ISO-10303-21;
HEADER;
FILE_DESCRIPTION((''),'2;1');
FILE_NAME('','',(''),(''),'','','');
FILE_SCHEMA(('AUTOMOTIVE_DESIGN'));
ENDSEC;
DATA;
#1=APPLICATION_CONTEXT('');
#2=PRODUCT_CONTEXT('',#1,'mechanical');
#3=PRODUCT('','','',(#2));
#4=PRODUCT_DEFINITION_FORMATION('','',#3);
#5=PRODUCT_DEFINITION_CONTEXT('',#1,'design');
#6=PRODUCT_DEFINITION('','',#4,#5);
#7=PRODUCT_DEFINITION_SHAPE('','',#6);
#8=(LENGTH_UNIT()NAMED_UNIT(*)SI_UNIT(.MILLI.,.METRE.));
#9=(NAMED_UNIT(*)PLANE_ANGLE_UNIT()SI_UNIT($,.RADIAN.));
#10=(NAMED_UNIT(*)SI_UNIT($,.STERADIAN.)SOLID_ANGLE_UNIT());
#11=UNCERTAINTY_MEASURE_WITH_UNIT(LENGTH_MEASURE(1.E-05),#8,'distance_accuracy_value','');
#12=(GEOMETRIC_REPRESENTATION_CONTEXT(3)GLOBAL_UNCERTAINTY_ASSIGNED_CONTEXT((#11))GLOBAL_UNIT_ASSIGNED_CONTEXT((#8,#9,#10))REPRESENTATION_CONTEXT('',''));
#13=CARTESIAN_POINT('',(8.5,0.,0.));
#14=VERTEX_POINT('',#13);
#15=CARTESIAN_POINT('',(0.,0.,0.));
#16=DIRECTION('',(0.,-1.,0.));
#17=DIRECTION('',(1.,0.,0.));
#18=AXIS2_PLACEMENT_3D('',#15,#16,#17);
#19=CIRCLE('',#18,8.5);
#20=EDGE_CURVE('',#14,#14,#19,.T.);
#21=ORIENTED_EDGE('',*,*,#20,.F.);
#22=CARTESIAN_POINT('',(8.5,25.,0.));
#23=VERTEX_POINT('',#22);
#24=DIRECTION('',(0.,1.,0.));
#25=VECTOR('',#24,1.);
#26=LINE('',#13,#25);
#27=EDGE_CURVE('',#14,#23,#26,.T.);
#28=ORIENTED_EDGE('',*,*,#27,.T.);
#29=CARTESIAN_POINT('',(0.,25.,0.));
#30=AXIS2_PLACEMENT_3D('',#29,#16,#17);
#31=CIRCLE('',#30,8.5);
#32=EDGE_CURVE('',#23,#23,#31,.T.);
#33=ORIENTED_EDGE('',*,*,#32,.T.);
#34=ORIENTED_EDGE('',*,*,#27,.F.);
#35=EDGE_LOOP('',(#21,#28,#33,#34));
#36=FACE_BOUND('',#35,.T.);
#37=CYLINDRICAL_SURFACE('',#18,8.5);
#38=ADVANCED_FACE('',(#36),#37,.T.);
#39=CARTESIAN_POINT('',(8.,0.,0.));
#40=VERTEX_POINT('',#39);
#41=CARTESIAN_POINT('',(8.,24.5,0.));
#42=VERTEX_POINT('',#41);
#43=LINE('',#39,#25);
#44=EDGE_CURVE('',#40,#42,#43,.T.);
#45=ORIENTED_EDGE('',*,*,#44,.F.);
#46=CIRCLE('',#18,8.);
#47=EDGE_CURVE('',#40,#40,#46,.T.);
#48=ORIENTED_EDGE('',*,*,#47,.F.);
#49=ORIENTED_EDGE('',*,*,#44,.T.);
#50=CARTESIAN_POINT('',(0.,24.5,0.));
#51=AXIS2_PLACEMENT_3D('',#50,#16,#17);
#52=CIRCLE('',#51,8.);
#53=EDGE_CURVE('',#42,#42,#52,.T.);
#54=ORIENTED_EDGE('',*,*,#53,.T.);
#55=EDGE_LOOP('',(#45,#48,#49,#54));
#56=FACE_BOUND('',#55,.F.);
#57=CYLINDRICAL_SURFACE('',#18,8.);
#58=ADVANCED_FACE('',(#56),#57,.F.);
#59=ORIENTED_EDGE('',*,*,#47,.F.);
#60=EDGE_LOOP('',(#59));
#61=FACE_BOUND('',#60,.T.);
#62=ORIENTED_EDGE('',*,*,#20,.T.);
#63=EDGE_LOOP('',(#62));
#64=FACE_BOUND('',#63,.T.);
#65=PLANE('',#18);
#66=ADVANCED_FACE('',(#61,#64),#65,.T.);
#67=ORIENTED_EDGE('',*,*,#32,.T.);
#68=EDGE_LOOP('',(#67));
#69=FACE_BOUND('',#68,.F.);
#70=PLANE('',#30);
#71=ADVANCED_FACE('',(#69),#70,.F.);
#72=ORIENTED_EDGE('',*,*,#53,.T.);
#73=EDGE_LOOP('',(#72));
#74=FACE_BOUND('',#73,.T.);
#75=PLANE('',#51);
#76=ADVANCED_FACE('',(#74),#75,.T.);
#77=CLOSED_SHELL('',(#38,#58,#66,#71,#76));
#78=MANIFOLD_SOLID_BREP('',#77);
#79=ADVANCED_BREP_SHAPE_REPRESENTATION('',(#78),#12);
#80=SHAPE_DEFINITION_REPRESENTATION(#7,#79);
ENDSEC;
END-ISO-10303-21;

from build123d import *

# Parameters (mm, degrees)
F0_R     = 8.5
F1_DEPTH = 25
F2_T     = -0.5


with BuildPart() as f1:
    # F0 (on Front) → F1 (new body)
    with BuildSketch(Plane.XZ):
        Circle(F0_R)
    extrude(amount=-F1_DEPTH)

    # F2
    f2_openings = [f1.faces().sort_by_distance(p)[0] for p in [
        (0, 0, 0),
    ]]
    offset(amount=F2_T, openings=f2_openings)


solid = f1.part
